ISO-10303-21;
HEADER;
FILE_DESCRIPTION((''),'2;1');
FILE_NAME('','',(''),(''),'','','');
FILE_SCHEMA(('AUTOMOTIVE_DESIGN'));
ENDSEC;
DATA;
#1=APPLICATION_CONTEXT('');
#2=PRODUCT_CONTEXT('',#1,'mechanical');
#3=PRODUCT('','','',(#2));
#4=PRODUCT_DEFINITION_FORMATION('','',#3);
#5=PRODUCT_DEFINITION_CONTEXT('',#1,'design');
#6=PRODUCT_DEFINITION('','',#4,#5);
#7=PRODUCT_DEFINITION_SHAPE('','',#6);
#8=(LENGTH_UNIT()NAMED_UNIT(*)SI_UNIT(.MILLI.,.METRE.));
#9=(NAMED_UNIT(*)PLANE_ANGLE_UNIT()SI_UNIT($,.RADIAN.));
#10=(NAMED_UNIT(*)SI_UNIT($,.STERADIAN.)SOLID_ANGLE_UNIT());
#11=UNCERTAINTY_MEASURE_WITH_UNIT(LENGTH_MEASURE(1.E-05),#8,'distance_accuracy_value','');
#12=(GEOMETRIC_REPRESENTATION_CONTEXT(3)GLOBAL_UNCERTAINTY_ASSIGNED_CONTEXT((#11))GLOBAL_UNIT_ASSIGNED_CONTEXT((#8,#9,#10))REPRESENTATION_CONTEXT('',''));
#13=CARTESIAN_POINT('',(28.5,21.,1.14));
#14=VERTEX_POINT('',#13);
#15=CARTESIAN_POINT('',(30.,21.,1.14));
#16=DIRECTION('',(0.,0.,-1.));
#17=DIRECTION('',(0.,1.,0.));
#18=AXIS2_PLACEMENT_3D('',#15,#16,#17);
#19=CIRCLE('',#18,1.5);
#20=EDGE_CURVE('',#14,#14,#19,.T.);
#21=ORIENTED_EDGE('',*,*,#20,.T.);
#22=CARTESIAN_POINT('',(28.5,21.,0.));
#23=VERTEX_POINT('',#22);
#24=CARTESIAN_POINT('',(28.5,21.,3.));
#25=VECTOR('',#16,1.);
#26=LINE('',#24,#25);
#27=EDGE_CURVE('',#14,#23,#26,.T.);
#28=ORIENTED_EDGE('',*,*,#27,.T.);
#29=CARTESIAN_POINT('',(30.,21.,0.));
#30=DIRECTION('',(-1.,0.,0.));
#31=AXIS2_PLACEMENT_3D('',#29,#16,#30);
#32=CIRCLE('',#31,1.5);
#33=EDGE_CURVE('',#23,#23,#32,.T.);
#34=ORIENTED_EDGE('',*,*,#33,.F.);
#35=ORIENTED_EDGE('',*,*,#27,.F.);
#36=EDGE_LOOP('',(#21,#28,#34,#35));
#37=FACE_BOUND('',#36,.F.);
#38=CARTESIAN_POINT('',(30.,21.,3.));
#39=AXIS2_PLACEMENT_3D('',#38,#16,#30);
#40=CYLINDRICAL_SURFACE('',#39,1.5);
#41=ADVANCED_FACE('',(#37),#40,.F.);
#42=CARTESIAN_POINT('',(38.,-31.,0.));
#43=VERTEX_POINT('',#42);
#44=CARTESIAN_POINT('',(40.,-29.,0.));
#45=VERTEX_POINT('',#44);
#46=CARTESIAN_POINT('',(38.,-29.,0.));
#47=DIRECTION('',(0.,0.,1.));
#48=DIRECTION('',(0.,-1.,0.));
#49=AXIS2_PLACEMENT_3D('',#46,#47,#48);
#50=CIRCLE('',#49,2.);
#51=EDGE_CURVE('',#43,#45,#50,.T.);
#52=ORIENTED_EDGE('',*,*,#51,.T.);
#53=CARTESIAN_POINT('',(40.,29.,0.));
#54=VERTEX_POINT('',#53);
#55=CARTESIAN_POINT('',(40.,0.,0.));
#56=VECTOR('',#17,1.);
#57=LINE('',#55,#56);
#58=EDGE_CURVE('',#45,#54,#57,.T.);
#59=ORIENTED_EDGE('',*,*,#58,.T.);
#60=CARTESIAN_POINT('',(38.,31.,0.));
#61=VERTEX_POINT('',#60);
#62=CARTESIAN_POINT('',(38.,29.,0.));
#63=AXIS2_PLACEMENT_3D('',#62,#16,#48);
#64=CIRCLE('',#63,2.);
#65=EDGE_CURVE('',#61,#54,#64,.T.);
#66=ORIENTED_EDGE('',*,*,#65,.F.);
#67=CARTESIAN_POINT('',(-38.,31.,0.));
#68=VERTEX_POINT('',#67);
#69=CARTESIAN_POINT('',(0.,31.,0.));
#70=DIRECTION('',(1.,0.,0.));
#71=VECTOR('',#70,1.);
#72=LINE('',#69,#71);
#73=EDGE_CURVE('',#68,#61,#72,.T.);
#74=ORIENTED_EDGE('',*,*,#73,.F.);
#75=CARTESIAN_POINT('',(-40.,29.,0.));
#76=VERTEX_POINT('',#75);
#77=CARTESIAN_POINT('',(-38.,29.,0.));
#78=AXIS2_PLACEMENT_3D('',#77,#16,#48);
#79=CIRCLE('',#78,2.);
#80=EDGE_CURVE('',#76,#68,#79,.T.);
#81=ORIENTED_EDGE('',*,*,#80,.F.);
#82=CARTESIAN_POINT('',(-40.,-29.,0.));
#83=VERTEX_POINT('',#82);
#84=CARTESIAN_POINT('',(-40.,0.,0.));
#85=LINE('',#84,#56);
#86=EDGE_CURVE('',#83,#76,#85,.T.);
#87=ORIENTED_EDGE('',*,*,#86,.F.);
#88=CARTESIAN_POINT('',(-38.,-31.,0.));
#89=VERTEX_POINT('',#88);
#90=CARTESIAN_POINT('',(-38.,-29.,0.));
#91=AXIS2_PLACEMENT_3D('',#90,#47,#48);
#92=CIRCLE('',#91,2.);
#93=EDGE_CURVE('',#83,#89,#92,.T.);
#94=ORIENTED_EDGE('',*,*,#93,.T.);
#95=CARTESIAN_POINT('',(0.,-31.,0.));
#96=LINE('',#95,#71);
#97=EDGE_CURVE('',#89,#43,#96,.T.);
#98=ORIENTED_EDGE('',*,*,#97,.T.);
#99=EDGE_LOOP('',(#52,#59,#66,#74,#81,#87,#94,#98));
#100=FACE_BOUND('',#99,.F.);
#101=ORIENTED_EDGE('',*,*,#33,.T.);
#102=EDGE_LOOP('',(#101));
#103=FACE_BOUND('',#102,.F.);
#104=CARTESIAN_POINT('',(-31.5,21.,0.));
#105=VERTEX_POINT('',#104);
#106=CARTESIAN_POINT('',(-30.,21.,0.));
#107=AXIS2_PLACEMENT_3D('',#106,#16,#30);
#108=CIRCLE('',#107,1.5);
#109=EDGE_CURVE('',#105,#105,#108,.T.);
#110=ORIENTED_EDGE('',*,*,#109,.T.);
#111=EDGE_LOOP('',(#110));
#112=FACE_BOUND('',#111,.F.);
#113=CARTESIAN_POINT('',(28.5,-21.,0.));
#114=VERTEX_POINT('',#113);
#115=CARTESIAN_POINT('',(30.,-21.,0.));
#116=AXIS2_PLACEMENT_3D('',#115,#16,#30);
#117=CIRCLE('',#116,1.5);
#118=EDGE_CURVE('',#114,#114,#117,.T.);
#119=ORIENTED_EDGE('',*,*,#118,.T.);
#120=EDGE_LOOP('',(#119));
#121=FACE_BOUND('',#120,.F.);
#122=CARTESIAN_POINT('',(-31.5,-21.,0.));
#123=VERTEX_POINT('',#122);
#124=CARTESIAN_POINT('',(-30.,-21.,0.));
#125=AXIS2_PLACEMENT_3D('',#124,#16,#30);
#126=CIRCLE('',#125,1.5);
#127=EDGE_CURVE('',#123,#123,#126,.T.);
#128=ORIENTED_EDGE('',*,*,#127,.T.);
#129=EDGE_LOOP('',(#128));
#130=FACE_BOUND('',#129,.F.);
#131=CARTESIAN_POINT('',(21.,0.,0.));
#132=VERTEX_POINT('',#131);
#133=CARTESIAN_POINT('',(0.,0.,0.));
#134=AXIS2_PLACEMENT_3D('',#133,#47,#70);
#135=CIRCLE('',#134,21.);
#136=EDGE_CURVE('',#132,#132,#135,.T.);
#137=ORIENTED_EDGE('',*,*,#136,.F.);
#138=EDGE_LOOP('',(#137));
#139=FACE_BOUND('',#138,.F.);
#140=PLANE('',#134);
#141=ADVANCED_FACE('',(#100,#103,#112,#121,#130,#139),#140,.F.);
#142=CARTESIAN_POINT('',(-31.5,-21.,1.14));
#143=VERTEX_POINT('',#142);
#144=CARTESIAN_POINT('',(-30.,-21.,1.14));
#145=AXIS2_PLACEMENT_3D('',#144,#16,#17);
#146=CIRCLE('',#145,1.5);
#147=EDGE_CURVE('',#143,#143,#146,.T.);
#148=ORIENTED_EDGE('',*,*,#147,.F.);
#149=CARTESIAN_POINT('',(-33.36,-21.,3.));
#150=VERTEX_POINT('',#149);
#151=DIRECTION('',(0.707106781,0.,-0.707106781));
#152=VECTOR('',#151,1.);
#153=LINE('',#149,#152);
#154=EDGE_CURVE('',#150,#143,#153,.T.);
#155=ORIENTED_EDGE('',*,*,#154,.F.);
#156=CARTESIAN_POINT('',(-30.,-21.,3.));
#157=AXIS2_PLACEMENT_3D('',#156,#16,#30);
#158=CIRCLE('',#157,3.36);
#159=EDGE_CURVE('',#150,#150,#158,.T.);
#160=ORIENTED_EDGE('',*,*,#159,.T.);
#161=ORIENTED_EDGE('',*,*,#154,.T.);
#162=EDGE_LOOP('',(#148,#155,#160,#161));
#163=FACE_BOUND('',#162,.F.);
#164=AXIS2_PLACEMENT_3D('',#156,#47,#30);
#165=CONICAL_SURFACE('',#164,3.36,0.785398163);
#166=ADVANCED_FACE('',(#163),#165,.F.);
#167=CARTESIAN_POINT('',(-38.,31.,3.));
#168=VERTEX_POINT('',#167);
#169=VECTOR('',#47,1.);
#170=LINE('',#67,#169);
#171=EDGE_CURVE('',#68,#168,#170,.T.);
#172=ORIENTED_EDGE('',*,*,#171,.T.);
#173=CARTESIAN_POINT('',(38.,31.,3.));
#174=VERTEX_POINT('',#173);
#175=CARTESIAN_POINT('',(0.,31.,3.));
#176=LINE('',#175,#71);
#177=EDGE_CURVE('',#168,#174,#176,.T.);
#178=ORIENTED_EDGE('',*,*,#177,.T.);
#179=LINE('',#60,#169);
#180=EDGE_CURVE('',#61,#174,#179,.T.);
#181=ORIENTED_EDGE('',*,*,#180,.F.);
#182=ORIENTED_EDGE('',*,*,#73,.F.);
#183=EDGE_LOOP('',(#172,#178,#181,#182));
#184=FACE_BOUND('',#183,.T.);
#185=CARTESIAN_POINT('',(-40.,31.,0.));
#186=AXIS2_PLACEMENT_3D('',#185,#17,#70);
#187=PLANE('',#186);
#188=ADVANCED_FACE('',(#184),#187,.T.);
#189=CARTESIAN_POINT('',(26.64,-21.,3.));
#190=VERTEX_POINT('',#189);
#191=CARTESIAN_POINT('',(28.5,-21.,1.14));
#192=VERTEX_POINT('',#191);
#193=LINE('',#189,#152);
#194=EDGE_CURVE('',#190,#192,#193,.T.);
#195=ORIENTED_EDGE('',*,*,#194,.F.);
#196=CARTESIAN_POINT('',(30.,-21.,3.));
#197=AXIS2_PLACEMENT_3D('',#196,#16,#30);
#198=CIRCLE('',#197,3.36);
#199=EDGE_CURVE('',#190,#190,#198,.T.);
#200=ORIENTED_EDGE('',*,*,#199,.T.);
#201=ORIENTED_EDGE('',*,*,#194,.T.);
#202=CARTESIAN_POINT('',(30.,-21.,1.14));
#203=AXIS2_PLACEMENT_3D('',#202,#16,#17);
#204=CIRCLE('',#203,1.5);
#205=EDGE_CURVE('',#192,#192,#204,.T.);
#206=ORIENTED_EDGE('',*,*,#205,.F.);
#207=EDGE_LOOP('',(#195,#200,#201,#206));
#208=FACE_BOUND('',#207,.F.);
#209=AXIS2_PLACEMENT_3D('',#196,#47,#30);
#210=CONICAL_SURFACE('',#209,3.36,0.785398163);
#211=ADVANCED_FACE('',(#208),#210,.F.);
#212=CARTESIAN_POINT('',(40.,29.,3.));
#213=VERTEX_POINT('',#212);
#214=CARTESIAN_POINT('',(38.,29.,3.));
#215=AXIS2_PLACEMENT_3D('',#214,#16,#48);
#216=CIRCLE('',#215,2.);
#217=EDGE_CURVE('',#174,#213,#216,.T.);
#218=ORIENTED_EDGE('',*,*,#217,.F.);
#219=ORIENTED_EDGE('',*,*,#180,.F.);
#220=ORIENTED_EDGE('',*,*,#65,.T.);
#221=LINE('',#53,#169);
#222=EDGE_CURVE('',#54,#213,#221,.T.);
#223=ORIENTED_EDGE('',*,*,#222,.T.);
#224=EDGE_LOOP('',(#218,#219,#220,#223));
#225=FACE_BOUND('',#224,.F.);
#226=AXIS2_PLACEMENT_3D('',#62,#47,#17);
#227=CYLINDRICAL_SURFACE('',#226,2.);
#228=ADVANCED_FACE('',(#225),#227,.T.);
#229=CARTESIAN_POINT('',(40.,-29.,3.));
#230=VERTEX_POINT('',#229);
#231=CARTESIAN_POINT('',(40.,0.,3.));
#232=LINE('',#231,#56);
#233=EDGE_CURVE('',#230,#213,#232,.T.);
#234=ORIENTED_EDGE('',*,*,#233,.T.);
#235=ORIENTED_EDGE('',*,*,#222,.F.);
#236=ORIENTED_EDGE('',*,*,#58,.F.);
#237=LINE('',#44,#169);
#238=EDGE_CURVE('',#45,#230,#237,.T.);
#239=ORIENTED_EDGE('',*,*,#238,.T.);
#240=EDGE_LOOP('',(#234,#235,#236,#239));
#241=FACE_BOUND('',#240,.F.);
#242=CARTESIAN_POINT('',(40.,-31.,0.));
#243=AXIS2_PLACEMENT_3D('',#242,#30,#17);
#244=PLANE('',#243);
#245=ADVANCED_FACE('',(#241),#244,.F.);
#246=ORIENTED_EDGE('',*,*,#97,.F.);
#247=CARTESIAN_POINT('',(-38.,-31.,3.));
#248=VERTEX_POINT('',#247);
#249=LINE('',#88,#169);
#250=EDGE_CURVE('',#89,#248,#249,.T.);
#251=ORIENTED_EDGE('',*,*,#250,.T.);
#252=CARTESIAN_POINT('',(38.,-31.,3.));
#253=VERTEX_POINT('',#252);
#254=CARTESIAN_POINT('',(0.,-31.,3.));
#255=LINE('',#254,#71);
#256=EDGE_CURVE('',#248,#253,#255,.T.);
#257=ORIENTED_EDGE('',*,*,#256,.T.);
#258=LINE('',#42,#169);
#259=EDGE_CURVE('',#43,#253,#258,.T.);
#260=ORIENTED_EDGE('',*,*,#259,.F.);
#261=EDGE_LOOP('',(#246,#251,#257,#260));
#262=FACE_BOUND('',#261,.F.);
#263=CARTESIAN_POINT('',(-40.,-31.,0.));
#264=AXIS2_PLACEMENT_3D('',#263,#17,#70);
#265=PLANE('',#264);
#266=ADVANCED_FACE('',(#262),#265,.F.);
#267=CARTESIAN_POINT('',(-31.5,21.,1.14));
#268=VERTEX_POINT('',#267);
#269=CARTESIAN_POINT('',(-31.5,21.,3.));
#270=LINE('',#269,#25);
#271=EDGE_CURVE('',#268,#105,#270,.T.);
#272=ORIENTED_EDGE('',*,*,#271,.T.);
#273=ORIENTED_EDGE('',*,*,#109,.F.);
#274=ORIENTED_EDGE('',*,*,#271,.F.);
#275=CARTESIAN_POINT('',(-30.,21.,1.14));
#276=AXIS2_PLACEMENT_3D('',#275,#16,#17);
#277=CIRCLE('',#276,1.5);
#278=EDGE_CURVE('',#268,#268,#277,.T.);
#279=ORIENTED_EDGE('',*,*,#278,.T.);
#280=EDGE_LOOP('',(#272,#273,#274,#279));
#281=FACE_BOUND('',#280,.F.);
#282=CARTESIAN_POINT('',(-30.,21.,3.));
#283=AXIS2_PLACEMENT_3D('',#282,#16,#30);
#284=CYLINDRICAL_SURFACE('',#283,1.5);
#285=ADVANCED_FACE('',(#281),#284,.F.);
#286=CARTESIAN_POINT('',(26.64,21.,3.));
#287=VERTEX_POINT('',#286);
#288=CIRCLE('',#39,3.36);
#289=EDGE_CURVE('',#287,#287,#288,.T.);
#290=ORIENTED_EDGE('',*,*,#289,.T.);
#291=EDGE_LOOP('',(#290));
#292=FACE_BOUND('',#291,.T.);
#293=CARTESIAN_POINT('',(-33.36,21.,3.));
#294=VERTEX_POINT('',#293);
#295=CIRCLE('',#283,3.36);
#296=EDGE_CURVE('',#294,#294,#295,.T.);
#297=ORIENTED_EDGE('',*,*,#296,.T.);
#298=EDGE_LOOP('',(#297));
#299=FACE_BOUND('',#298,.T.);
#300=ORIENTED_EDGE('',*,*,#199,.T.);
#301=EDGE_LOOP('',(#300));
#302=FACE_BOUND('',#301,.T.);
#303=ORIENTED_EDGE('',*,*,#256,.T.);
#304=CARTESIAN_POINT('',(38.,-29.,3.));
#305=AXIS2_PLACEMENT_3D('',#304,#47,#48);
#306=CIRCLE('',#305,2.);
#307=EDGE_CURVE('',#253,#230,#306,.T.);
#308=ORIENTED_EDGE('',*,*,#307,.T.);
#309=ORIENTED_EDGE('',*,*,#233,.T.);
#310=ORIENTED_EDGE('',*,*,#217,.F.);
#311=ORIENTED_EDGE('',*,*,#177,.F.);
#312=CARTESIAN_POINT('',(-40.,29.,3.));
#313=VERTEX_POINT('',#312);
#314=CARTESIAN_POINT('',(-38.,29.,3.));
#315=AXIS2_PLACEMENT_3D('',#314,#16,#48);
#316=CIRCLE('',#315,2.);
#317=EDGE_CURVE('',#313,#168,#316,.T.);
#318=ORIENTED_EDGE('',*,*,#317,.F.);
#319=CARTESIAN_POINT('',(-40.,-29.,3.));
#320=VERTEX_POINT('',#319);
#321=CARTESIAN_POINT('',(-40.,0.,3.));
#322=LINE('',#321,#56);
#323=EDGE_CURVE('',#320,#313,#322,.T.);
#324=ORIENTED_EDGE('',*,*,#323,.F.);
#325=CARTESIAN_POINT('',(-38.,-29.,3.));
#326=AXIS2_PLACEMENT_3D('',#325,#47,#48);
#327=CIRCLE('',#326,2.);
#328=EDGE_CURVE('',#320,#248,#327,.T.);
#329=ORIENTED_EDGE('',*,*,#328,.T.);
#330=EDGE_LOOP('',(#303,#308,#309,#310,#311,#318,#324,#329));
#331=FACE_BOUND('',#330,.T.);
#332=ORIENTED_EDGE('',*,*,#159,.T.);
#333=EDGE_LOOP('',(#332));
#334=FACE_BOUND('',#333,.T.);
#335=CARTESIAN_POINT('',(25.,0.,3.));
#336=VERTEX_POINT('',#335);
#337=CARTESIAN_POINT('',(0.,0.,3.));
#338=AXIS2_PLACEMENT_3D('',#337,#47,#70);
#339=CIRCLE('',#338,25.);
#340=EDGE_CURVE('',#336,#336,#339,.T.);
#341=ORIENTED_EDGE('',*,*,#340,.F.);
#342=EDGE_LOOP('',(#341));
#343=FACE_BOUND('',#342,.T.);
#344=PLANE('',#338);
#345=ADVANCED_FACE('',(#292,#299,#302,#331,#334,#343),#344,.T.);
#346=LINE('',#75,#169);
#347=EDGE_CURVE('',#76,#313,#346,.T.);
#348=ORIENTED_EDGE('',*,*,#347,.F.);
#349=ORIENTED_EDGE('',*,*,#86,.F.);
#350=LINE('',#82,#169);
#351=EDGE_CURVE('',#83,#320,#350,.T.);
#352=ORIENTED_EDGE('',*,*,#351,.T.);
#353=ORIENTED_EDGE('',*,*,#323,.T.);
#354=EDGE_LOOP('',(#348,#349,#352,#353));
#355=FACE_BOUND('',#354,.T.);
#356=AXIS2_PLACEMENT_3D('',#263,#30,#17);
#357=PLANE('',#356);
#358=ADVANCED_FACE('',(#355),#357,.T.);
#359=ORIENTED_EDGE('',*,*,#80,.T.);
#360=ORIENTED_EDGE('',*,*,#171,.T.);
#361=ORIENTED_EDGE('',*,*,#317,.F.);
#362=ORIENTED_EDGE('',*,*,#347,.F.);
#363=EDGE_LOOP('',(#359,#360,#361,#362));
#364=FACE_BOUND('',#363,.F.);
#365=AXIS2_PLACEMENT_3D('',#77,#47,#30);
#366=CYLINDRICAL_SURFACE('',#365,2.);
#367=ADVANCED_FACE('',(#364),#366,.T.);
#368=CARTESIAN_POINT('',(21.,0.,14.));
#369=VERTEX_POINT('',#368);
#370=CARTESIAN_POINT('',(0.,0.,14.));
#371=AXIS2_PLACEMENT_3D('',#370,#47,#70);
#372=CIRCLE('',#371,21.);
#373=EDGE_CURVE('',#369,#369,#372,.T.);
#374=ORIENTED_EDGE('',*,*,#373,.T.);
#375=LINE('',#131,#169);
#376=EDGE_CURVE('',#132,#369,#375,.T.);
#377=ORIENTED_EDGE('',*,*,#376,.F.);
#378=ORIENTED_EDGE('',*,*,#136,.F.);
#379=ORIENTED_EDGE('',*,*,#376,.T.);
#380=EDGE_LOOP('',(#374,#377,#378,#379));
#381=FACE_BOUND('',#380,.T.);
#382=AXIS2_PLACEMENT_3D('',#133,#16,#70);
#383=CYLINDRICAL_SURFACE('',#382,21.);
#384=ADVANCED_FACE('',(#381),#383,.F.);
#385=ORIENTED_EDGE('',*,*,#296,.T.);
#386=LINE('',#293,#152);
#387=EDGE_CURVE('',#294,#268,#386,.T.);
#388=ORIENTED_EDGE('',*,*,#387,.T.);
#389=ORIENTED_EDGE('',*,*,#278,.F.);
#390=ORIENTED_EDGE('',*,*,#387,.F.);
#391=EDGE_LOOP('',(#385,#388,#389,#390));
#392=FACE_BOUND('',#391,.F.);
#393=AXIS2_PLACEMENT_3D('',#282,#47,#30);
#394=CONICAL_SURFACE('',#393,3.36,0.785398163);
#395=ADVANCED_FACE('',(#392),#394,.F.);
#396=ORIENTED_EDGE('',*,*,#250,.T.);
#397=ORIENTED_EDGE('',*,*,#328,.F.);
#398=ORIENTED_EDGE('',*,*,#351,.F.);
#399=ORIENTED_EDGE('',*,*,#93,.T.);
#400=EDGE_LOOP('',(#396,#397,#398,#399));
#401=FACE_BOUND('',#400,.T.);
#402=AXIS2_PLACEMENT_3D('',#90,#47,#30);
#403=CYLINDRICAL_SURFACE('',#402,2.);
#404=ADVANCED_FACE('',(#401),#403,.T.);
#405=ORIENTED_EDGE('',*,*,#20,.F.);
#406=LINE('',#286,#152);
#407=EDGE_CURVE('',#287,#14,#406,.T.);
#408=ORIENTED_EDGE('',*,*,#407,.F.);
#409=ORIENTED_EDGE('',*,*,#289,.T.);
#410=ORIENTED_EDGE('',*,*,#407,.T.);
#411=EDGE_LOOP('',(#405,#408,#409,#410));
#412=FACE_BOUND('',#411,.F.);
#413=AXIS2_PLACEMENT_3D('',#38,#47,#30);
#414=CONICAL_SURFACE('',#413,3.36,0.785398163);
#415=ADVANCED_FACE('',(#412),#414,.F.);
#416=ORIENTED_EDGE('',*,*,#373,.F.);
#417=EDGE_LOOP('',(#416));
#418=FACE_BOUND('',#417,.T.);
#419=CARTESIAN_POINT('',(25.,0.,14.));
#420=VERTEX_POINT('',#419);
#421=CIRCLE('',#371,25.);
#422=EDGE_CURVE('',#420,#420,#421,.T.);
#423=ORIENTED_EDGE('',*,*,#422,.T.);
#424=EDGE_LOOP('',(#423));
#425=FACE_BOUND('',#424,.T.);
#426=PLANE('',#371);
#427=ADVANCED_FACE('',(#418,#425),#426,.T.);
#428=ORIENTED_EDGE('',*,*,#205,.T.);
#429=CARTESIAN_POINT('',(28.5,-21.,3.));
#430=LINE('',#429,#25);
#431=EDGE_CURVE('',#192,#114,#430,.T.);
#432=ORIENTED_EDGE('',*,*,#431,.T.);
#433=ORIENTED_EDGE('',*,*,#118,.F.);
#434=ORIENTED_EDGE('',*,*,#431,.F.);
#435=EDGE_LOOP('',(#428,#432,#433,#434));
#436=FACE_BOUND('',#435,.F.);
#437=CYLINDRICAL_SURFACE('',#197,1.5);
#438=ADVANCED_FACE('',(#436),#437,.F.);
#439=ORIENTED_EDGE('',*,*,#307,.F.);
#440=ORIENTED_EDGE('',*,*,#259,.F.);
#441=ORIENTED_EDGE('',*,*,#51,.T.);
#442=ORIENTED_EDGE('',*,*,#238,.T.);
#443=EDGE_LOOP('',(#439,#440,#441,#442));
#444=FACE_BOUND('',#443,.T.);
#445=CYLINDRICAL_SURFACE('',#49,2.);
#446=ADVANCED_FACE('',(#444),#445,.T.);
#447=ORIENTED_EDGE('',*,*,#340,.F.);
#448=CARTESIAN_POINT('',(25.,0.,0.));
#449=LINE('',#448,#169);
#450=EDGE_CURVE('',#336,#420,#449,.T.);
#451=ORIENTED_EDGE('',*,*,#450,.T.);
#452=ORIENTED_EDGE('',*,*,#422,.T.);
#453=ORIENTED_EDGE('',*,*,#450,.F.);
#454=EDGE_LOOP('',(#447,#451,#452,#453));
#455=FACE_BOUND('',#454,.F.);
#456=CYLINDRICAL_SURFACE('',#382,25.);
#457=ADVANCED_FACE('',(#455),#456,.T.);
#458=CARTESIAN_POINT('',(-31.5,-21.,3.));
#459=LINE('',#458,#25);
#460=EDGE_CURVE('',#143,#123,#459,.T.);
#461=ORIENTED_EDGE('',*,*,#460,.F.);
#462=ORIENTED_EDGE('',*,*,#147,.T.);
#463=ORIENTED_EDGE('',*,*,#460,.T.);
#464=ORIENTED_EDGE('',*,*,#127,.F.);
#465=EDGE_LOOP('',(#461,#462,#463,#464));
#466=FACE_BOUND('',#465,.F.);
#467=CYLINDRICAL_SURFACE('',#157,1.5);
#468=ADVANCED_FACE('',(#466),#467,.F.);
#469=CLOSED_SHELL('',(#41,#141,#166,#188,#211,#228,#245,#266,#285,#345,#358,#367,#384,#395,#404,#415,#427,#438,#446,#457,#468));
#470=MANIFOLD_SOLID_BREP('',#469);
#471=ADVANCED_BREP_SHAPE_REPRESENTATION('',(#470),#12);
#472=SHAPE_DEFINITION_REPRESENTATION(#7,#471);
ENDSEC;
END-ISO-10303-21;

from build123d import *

# Parameters (mm, degrees)
F0_R           = 25
F0_R_2         = 21
F1_DEPTH       = 14
F0_W           = 80
F0_H           = 62
F2_DEPTH       = 3
F3_R           = 2
F5_D           = 3
F5_CSINK_D     = 6.72
F5_CSINK_ANGLE = 90


with BuildPart() as f1:
    # F0 (on Top) → F1 (new body)
    with BuildSketch(Plane.XY):
        Circle(F0_R)
        Circle(F0_R_2, mode=Mode.SUBTRACT)
    extrude(amount=F1_DEPTH)

    # F0 (on Top) → F2 (join)
    with BuildSketch(Plane.XY):
        Rectangle(F0_W, F0_H)
        Circle(F0_R, mode=Mode.SUBTRACT)
    extrude(amount=F2_DEPTH)

    # F3
    f3_edges = [f1.edges().sort_by_distance(p)[0] for p in [
        (-40, -31, 1.5),
        (40, -31, 1.5),
        (40, 31, 1.5),
        (-40, 31, 1.5),
    ]]
    fillet(f3_edges, radius=F3_R)

    # F5 (through all)
    with Locations(Plane.XY.offset(3)):
        with Locations((-30, 21), (-30, -21), (30, -21), (30, 21)):
            CounterSinkHole(F5_D / 2, F5_CSINK_D / 2, counter_sink_angle=F5_CSINK_ANGLE)


solid = f1.part
